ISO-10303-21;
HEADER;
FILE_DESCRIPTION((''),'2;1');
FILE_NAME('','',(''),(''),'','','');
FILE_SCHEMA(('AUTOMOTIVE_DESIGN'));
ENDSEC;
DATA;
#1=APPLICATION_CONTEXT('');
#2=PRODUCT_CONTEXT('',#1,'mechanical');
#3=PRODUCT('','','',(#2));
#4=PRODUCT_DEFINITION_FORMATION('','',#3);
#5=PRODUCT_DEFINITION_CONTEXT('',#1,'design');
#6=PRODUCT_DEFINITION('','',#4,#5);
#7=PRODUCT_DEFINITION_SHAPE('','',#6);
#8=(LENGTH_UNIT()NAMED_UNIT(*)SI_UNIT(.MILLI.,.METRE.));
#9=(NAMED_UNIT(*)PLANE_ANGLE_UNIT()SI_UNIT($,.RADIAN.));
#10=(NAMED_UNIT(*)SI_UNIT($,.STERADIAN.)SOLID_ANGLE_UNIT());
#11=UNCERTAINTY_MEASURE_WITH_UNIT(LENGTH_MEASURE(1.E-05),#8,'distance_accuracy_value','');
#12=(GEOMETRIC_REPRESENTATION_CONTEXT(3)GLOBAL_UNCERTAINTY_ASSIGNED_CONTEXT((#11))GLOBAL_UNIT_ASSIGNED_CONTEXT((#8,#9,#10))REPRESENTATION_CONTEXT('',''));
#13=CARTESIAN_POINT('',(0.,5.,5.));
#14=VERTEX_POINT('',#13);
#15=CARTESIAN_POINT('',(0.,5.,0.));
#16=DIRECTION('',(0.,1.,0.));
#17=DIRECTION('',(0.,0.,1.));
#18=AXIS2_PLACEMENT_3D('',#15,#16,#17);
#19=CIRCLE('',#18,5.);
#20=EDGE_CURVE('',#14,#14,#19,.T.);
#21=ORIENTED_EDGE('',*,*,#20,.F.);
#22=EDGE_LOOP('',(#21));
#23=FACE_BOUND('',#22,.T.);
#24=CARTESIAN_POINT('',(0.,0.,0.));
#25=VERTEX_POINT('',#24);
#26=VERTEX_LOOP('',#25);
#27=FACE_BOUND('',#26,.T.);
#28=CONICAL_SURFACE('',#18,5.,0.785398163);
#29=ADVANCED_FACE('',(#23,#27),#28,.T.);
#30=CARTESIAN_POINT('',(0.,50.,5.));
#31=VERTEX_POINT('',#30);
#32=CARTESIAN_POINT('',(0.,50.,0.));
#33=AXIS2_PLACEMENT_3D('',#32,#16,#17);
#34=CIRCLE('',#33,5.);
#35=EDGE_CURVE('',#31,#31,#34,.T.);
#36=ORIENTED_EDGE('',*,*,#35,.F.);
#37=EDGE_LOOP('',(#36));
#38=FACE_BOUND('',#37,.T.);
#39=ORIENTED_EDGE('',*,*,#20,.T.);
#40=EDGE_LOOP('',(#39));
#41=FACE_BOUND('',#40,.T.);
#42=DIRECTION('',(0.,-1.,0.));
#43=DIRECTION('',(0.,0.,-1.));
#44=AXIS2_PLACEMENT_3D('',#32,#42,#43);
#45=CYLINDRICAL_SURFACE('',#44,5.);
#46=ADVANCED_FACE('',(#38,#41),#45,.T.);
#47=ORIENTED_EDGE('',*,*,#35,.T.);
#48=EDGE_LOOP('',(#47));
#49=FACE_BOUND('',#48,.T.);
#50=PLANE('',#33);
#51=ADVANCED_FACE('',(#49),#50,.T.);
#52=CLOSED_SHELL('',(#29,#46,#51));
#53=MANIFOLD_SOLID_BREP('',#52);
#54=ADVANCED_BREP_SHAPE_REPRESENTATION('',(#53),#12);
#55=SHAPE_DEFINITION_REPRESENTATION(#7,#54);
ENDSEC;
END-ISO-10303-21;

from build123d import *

# Parameters (mm, degrees)
SKETCH1_R           = 5
BOSS_EXTRUDE1_DEPTH = 50
CHAMFER1_SIZE       = 5


with BuildPart() as part:
    # Sketch1 → Boss-Extrude1 (new body)
    with BuildSketch(Plane(origin=(0, 0, 0), x_dir=(1, 0, 0), z_dir=(0, 1, 0))):
        Circle(SKETCH1_R)
    extrude(amount=BOSS_EXTRUDE1_DEPTH)

    # Chamfer1
    chamfer1_edges = [part.edges().sort_by_distance(p)[0] for p in [
        (-5, 0, 0),
    ]]
    chamfer(chamfer1_edges, length=CHAMFER1_SIZE)


solid = part.part
